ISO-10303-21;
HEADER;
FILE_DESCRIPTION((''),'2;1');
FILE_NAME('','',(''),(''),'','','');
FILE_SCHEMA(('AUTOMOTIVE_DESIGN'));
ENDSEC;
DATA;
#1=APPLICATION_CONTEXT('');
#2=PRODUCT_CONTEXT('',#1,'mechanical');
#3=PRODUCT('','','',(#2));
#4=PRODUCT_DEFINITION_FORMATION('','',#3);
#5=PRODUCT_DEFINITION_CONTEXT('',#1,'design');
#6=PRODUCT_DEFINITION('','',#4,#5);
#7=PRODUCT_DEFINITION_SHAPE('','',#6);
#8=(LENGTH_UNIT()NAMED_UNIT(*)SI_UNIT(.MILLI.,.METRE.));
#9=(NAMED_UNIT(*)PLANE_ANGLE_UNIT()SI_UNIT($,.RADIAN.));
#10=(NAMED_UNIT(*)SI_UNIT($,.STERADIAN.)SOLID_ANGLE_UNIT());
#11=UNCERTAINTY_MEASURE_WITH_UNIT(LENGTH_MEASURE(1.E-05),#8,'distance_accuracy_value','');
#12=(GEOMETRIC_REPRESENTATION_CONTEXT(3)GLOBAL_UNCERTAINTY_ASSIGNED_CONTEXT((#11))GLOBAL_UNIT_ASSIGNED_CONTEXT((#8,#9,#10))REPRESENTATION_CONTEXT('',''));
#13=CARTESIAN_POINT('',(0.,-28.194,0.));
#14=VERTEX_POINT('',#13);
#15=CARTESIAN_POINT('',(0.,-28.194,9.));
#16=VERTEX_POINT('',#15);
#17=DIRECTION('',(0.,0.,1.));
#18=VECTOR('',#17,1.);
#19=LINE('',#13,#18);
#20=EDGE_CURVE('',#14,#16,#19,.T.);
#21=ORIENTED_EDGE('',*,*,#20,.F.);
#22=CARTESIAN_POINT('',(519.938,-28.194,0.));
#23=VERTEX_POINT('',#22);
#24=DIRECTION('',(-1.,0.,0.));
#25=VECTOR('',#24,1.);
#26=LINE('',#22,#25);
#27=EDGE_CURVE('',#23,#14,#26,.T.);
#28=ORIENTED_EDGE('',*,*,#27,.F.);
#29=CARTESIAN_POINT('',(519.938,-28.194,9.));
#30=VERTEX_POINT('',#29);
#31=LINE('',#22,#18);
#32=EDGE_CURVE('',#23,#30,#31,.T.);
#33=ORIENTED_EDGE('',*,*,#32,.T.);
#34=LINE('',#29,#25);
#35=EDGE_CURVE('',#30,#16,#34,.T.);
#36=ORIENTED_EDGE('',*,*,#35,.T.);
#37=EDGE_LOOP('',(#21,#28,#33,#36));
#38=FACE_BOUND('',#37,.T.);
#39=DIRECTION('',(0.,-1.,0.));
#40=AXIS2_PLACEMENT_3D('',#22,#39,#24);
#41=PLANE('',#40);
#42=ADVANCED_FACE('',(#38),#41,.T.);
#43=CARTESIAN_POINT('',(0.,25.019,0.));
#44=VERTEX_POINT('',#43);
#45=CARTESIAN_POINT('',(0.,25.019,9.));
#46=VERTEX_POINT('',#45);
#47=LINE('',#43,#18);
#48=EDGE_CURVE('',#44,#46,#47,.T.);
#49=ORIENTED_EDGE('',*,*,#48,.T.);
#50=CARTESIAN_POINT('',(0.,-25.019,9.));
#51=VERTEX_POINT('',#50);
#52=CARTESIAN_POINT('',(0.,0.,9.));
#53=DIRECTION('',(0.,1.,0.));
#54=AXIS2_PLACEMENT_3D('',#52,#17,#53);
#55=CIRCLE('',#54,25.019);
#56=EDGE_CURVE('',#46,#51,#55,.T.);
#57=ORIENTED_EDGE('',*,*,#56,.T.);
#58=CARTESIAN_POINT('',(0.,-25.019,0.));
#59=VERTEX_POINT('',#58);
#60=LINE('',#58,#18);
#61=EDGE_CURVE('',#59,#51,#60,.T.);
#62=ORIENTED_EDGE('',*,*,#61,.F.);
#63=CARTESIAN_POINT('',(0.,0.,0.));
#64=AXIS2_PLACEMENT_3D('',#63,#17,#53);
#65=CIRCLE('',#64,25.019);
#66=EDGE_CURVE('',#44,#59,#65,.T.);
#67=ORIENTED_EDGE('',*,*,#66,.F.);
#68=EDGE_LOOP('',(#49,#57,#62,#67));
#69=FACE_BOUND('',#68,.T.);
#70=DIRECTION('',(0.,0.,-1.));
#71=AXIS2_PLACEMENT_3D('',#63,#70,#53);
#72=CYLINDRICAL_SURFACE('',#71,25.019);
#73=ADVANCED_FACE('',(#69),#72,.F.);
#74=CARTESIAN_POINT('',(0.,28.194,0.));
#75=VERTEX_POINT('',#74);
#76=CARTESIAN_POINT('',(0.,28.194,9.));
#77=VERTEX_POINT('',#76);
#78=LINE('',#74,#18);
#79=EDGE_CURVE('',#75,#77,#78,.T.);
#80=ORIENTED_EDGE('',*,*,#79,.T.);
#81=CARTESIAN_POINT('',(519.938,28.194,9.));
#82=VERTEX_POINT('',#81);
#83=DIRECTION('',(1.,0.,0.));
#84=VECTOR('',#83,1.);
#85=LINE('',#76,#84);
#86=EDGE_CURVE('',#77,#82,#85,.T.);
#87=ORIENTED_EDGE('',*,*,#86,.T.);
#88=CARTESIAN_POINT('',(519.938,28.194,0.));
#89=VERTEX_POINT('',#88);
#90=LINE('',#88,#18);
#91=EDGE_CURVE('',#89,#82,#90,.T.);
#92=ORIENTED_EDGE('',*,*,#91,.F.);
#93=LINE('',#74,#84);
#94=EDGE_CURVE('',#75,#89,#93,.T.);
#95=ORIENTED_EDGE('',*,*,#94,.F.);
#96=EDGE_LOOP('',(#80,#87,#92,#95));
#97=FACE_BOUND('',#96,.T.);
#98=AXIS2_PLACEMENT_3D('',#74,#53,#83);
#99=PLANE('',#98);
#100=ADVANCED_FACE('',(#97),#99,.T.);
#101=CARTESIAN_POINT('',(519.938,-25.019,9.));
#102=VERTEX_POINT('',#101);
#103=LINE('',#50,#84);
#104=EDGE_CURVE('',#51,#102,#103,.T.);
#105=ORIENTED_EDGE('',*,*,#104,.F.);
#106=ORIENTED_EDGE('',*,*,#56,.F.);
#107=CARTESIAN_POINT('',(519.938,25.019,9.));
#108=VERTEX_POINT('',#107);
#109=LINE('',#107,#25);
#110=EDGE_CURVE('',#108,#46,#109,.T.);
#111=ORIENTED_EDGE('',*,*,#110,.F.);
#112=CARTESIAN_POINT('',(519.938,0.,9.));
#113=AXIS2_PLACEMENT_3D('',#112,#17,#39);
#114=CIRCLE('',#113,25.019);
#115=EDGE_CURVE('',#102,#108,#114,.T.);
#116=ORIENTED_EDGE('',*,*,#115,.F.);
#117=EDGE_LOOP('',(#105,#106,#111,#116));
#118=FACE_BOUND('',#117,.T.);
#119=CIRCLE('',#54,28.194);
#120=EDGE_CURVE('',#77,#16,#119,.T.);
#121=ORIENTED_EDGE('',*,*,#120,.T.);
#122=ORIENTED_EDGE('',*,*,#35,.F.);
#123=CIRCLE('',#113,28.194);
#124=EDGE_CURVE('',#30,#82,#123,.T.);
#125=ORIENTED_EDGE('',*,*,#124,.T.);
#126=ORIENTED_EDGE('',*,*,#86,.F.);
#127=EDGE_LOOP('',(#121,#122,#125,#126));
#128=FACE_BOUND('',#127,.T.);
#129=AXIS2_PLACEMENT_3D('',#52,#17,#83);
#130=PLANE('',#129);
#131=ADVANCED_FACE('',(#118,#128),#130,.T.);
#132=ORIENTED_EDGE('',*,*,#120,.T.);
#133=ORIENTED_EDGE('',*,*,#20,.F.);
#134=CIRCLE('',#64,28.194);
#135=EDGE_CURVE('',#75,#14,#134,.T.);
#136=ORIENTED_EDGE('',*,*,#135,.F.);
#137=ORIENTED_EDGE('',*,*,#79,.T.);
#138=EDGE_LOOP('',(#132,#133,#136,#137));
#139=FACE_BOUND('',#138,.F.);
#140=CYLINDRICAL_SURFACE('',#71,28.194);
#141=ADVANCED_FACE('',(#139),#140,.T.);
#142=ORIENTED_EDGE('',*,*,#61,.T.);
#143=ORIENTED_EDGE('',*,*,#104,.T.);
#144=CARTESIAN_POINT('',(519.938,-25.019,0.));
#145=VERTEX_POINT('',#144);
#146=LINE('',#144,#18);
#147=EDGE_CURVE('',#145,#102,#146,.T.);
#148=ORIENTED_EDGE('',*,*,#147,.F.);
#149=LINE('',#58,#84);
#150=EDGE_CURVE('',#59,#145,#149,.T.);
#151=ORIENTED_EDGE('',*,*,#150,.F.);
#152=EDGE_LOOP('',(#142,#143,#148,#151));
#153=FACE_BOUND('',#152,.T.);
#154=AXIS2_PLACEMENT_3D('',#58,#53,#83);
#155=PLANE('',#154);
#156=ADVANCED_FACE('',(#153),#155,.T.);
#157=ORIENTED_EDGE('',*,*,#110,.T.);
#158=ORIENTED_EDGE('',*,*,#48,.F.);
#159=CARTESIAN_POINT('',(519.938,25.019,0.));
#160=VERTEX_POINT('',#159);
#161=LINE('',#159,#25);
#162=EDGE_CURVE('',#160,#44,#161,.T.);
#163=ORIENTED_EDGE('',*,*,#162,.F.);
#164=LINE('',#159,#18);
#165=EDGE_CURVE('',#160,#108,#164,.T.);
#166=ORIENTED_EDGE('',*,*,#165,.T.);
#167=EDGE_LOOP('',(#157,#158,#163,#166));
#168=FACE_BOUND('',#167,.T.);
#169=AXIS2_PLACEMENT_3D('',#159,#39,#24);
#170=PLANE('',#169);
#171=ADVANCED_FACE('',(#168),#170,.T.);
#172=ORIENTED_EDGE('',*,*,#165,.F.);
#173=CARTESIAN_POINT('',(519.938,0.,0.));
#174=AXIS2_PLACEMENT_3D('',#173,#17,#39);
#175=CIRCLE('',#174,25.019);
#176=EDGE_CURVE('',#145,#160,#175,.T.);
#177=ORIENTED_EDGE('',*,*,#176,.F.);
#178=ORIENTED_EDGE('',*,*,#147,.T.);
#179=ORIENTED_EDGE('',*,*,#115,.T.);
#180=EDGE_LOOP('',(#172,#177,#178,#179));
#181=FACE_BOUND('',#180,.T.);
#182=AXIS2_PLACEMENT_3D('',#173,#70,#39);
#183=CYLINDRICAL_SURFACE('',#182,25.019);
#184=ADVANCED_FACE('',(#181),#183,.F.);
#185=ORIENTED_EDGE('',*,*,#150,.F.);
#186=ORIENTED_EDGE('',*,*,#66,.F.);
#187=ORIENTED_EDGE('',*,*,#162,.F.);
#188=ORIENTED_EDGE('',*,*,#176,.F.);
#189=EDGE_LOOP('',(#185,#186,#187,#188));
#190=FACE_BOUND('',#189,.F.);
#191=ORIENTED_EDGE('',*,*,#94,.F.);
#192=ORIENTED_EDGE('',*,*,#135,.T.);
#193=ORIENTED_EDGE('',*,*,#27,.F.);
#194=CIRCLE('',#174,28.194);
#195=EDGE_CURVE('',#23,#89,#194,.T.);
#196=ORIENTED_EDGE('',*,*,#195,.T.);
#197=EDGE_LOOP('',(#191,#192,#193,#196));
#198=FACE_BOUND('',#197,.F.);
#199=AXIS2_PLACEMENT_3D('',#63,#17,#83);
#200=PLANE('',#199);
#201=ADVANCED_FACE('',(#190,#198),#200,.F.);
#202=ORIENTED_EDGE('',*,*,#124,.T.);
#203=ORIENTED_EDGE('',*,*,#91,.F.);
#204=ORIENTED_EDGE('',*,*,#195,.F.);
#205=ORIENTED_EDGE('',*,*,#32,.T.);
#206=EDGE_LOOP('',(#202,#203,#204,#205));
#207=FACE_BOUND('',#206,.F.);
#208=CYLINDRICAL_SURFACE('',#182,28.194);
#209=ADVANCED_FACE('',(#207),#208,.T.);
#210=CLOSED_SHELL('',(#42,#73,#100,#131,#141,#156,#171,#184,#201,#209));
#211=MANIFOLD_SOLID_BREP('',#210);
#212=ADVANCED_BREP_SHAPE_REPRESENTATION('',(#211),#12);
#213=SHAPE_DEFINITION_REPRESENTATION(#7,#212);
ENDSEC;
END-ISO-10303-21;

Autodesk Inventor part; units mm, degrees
ref_plane "YZ Plane" through (0, 0, 0) normal (1, 0, 0) x (0, 1, 0)
ref_plane "XZ Plane" through (0, 0, 0) normal (0, 1, 0) x (-1, 0, 0)
ref_plane "XY Plane" through (0, 0, 0) normal (0, 0, 1) x (1, 0, 0)
sketch "Sketch1" plane through (0, 0, 0) normal (0, 0, 1) x (1, 0, 0)
  circle A0 centre (0, 0) radius 24.892
  circle A1 centre (519.938, 0) radius 24.892
  line L0 (0, 0) -> (519.938, 0) construction
  line L1 (0, -25.019) -> (519.938, -25.019)
  line L2 (519.938, 25.019) -> (0, 25.019)
  arc A2 (0, 25.019) -> (0, -25.019) centre (0, 0) ccw
  arc A3 (519.938, -25.019) -> (519.938, 25.019) centre (519.938, 0) ccw
  line L3 (0, 28.194) -> (519.938, 28.194)
  arc A4 (519.938, -28.194) -> (519.938, 28.194) centre (519.938, 0) ccw
  line L4 (519.938, -28.194) -> (0, -28.194)
  arc A5 (0, 28.194) -> (0, -28.194) centre (0, 0) ccw
  line L5 (7.3323, 0) -> (3.6662, -6.35)
  line L6 (3.6662, -6.35) -> (-3.6662, -6.35)
  line L7 (-3.6662, -6.35) -> (-7.3323, 0)
  line L8 (-7.3323, 0) -> (-3.6662, 6.35)
  line L9 (-3.6662, 6.35) -> (3.6662, 6.35)
  line L10 (3.6662, 6.35) -> (7.3323, 0)
  line L11 (527.2703, 0) -> (523.6042, -6.35)
  line L12 (523.6042, -6.35) -> (516.2718, -6.35)
  line L13 (516.2718, -6.35) -> (512.6057, 0)
  line L14 (512.6057, 0) -> (516.2718, 6.35)
  line L15 (516.2718, 6.35) -> (523.6042, 6.35)
  line L16 (523.6042, 6.35) -> (527.2703, 0)
  point P0 (259.969, 0)
  dimension "d0" = 49.784
  dimension "d1" = 519.938
  dimension "d2" = 3.175
  dimension "d3" = 0.127
  dimension "d8" = 12.7
extrude "Extrusion2" add sketch "Sketch1" along normal blind 9 contours L3 A4 L4 A5
properties part number "DGB_006_LonG Belt_Gates_1200-5M-09"
